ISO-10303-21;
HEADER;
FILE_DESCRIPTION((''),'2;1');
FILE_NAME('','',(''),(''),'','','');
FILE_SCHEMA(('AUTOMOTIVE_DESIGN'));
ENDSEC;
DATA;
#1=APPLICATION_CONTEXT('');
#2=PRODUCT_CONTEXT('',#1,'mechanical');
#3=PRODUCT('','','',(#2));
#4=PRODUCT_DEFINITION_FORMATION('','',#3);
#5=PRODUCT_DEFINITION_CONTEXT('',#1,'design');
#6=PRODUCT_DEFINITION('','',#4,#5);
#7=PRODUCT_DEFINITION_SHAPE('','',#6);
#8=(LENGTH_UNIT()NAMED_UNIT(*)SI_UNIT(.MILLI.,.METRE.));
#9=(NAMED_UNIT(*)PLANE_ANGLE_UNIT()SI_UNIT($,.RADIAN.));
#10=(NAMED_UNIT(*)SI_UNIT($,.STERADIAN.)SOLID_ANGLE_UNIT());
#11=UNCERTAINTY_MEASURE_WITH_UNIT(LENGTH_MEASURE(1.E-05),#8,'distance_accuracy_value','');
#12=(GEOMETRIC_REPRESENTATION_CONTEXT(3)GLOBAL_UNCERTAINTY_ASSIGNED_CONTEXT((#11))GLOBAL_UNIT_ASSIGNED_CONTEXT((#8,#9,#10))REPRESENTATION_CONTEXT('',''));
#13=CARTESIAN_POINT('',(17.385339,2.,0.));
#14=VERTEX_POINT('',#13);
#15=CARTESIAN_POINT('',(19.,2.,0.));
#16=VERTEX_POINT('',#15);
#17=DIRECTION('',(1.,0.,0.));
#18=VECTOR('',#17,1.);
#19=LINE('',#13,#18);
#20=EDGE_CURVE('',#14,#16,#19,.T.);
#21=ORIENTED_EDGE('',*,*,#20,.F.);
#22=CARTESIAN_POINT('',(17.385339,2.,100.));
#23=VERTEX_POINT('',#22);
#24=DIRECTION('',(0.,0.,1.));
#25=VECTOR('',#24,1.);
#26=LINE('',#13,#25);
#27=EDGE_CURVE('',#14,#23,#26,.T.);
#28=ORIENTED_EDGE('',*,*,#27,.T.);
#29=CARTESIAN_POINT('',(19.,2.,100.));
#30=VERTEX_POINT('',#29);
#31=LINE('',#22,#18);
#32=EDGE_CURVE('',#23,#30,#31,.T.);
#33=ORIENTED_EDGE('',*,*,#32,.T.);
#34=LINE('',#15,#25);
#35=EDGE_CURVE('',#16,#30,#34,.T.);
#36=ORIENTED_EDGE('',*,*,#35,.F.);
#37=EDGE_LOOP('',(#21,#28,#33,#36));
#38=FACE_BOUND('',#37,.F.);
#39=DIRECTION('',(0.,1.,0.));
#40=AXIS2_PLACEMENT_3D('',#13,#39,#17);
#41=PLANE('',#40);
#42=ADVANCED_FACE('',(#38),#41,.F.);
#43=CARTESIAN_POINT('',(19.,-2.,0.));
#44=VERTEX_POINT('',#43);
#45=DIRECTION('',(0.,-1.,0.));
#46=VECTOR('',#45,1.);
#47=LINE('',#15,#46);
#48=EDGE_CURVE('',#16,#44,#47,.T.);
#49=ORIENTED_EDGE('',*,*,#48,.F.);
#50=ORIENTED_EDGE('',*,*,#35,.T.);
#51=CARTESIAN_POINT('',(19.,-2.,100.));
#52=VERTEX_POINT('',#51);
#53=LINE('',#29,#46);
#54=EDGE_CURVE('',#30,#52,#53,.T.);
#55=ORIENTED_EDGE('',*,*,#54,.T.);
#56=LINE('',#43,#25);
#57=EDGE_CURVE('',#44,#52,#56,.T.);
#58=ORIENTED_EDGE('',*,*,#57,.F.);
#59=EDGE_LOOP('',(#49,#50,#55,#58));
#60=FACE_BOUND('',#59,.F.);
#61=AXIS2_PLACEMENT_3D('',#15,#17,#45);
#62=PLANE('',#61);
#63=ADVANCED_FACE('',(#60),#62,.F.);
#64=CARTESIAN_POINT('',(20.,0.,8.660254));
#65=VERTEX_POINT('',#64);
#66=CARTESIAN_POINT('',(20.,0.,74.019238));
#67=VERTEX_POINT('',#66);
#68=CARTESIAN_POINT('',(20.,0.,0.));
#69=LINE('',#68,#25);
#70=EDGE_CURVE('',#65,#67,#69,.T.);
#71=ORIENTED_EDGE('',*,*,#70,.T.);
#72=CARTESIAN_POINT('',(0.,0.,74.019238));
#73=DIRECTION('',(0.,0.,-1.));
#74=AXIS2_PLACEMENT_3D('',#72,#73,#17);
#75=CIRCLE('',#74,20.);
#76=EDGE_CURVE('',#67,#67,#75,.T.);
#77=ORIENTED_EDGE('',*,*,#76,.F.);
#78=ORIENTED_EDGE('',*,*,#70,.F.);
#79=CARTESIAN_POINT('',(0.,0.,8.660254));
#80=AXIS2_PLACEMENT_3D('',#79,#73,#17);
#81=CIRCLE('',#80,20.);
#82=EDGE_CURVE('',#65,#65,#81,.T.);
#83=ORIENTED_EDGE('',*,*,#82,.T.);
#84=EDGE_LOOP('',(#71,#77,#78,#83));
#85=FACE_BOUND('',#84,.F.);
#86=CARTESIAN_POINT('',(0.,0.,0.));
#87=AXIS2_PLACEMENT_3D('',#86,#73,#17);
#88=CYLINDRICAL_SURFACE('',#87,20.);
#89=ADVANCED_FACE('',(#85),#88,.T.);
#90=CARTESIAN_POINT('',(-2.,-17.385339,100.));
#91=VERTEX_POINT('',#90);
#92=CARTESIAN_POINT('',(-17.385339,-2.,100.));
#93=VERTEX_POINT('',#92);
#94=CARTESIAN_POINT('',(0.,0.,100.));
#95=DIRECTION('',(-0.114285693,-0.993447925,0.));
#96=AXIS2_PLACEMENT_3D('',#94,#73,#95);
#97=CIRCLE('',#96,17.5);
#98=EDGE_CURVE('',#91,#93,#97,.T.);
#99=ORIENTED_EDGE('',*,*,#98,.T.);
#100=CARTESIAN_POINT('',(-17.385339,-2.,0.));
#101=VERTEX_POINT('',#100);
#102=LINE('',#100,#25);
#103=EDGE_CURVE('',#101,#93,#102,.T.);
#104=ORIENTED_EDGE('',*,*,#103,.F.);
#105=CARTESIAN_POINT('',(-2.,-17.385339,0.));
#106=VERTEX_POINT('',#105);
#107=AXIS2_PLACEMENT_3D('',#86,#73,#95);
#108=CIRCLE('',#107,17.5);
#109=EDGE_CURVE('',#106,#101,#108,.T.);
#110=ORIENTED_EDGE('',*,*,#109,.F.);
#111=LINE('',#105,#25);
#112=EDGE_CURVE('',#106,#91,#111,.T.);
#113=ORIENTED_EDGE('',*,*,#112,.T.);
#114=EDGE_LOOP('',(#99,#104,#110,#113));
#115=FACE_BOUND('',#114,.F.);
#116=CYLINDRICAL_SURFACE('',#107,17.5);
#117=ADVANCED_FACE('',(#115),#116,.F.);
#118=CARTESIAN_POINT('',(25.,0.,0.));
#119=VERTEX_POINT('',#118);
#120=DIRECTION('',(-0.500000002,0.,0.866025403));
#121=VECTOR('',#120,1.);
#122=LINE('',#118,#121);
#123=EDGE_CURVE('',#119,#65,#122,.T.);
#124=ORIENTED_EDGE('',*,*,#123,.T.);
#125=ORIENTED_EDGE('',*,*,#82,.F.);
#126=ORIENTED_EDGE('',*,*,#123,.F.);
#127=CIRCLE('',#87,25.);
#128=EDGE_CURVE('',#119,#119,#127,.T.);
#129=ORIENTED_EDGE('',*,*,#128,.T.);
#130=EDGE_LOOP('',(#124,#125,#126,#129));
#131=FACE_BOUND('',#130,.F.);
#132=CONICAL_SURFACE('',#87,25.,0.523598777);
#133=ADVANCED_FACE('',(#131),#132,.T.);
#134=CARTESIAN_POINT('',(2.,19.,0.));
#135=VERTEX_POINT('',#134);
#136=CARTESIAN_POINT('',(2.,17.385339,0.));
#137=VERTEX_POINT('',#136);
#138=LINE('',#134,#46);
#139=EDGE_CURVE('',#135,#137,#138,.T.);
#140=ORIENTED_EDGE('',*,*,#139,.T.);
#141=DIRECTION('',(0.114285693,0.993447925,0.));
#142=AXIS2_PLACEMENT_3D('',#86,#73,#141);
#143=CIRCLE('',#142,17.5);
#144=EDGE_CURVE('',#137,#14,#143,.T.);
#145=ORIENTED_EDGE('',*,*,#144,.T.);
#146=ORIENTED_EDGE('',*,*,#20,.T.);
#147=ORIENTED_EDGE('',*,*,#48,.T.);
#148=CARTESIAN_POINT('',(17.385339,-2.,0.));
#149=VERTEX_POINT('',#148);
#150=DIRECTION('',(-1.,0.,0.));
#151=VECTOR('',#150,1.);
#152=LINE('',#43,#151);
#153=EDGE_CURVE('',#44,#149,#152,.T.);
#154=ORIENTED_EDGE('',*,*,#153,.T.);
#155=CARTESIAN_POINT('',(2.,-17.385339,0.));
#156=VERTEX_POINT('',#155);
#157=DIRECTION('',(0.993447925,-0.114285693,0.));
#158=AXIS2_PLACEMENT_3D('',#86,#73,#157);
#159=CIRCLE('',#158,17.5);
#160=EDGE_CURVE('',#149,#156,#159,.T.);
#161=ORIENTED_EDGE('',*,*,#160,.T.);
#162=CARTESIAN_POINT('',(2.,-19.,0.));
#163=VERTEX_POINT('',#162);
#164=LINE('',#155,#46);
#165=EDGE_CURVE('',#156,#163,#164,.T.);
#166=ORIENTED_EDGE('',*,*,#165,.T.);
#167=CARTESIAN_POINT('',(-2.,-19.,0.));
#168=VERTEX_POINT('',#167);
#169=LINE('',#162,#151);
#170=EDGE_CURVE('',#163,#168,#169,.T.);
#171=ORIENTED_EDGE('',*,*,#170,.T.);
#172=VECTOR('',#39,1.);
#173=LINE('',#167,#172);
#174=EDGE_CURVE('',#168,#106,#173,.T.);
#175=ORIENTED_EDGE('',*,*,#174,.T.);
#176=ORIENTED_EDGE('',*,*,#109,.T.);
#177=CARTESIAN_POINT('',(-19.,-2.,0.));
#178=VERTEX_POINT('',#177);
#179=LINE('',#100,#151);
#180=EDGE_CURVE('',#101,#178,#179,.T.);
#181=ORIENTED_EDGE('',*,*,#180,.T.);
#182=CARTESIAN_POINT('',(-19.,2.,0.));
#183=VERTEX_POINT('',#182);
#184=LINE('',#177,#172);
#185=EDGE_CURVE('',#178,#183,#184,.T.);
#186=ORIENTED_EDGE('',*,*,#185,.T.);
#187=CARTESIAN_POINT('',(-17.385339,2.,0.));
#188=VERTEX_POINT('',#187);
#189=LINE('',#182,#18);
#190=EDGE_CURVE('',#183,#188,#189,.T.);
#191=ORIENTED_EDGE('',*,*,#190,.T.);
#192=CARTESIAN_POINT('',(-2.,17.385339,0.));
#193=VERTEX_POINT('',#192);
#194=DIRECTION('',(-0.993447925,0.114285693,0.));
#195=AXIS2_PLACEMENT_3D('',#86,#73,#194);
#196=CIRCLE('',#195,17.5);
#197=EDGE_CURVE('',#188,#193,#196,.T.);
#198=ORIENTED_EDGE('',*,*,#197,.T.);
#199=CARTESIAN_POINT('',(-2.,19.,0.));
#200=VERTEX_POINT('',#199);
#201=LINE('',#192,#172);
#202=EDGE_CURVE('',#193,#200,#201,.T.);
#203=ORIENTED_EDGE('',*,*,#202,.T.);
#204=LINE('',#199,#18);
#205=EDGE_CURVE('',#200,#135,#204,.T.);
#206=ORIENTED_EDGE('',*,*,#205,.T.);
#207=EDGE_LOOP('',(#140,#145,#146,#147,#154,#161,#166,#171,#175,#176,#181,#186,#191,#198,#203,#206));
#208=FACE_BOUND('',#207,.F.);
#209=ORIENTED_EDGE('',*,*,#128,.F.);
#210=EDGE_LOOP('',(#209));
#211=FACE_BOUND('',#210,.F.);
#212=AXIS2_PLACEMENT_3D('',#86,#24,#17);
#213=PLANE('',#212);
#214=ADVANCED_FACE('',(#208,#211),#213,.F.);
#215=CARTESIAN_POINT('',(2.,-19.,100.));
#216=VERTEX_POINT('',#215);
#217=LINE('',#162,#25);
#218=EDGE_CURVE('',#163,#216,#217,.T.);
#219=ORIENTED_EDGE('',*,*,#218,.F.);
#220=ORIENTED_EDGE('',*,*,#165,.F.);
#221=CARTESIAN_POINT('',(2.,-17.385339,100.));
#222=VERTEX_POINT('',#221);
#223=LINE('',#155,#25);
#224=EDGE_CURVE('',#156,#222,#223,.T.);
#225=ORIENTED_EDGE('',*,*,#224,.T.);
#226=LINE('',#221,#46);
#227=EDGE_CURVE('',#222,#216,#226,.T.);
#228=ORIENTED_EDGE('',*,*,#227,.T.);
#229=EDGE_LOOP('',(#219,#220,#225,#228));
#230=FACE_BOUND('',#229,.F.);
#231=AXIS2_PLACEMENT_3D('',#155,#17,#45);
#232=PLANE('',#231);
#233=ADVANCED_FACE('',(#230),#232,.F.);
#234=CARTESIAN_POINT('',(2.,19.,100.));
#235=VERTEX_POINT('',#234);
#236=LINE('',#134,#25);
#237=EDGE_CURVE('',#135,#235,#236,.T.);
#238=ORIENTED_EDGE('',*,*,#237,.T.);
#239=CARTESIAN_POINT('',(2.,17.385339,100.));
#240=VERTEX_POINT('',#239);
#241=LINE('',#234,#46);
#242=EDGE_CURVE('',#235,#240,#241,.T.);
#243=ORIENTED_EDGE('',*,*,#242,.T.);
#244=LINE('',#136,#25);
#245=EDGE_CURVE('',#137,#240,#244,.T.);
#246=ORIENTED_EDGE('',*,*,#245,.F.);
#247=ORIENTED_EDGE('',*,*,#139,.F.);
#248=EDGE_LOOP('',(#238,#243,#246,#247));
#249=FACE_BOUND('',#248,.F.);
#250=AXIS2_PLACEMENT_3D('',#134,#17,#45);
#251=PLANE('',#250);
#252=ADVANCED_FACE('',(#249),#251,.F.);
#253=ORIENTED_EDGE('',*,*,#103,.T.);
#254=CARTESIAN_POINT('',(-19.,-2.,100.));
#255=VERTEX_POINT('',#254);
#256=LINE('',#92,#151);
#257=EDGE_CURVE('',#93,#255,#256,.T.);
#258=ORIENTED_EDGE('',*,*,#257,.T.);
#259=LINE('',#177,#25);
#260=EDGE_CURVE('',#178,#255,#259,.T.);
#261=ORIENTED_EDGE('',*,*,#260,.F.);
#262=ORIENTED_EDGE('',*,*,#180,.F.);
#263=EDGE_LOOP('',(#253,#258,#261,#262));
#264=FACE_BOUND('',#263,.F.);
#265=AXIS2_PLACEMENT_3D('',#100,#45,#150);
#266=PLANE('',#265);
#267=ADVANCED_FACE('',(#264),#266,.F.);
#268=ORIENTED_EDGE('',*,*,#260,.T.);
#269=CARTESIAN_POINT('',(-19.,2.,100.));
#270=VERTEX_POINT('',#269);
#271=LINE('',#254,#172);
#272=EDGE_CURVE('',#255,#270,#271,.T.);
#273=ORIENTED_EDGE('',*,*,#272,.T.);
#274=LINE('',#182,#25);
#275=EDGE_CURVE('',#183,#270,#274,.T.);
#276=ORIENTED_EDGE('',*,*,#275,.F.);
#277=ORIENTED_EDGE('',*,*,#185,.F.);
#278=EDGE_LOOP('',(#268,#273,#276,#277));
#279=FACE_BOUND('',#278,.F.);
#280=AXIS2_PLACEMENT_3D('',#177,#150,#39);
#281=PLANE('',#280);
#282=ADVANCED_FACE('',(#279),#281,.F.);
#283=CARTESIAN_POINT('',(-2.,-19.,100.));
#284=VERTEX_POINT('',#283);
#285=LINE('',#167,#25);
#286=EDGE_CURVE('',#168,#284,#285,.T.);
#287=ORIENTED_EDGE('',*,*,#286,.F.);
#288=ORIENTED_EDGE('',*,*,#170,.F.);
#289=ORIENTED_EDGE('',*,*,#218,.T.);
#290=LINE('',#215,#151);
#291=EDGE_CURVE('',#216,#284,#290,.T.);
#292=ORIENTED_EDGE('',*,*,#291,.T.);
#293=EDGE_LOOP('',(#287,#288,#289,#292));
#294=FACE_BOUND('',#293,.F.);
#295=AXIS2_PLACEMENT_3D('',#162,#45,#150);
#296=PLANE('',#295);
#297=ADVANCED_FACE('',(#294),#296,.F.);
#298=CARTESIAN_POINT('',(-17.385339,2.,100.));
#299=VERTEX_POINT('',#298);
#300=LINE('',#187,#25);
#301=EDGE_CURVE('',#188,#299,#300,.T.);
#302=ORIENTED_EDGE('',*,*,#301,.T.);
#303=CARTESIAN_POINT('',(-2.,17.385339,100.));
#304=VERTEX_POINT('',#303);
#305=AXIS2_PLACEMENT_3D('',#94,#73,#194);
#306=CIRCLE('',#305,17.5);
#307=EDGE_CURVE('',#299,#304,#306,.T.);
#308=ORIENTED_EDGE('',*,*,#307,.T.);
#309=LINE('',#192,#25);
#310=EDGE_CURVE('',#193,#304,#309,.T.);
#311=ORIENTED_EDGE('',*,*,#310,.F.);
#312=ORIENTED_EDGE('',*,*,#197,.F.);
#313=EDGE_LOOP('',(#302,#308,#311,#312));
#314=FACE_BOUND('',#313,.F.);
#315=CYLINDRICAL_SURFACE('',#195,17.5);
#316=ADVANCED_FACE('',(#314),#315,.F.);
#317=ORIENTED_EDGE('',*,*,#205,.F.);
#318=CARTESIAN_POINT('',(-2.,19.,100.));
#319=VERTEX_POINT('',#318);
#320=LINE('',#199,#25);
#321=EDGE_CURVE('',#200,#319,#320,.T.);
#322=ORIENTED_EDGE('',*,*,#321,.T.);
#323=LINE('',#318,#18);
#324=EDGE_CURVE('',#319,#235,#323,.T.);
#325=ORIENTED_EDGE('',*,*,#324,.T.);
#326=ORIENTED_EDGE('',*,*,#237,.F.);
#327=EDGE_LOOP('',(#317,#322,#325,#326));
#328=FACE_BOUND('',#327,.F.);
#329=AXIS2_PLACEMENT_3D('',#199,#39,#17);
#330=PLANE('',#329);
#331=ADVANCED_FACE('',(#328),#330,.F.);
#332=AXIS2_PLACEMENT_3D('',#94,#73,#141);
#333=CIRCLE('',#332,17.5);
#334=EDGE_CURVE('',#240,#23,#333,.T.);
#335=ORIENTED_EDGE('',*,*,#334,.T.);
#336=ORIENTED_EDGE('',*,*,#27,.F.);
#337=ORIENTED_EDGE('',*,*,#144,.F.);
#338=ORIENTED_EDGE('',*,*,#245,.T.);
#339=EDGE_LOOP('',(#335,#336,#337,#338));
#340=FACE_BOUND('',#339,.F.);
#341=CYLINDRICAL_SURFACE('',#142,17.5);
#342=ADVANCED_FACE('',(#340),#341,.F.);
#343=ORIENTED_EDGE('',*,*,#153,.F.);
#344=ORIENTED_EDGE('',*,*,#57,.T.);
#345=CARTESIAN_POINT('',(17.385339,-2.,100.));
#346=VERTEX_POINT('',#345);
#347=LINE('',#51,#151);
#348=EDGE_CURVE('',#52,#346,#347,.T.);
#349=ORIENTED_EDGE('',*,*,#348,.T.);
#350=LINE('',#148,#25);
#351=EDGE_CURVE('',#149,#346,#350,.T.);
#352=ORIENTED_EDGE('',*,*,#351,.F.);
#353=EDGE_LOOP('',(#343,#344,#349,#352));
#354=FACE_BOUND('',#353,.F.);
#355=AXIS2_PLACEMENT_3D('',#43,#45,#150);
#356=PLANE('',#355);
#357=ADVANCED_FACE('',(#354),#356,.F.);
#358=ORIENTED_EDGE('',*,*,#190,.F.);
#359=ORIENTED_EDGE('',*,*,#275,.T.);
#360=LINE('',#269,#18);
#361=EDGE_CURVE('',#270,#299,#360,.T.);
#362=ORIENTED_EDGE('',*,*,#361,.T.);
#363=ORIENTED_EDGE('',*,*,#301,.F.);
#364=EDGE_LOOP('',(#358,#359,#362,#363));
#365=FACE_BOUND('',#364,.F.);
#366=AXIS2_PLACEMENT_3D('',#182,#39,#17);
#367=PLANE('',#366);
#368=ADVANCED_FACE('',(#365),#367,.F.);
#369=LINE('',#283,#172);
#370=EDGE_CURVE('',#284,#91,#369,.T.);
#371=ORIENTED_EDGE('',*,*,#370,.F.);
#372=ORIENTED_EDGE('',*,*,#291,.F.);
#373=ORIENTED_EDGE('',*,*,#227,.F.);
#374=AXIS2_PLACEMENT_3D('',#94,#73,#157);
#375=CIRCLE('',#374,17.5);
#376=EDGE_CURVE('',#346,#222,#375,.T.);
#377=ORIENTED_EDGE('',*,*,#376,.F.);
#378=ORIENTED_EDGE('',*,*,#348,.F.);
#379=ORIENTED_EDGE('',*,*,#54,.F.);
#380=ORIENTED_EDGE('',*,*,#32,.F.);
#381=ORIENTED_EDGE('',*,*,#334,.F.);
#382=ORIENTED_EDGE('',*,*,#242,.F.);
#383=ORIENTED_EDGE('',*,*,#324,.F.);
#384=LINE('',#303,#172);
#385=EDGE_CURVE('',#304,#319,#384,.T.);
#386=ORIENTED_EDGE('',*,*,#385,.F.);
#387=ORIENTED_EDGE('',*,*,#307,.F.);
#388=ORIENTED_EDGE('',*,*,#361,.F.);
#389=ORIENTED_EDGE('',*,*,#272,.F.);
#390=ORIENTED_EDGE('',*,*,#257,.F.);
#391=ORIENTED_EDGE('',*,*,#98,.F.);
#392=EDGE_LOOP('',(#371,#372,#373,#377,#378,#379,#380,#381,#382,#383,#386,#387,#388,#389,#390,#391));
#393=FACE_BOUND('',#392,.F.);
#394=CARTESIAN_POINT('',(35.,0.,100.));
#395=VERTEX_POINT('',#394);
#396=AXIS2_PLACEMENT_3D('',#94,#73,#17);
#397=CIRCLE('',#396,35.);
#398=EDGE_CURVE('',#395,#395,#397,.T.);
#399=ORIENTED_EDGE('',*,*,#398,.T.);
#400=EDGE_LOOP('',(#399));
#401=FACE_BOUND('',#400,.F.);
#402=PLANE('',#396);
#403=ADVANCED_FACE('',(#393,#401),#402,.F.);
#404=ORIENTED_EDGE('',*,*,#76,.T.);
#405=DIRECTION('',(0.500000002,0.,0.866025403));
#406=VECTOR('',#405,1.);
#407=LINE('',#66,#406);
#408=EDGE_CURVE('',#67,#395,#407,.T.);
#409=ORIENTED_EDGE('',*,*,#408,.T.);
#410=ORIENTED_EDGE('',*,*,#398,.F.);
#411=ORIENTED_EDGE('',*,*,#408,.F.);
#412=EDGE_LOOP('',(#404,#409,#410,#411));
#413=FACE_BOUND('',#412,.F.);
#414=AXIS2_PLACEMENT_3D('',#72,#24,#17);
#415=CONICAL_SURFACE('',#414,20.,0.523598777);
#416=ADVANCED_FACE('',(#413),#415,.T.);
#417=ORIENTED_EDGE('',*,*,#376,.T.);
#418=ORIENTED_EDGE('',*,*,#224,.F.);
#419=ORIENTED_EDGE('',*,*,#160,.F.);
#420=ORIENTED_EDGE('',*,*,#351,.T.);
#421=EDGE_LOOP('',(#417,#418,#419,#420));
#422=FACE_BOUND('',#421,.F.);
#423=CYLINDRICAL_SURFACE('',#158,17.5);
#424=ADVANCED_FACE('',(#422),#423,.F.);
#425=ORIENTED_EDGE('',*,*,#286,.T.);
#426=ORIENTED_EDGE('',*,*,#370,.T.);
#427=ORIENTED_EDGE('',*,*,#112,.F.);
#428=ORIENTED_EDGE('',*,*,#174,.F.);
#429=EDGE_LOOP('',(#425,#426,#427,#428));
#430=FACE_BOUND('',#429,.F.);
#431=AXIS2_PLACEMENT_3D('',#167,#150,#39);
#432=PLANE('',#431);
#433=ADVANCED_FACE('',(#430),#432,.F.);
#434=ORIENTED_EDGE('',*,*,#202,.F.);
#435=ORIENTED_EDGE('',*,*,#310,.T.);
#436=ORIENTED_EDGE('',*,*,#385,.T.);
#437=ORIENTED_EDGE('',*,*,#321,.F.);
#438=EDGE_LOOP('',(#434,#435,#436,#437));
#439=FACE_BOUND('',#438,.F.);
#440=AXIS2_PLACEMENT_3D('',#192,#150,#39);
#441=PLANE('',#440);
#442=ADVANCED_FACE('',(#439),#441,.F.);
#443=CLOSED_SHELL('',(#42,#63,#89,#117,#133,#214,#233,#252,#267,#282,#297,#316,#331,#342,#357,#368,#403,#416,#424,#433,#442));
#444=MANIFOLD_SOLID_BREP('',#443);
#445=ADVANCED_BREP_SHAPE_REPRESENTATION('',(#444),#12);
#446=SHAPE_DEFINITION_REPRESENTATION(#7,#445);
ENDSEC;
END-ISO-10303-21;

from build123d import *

# Parameters (mm, degrees)
F0_R     = 20
F1_DEPTH = 100


with BuildPart() as f1:
    # F0 (on Top) → F1 (new body)
    with BuildSketch(Plane.XY):
        Circle(F0_R)
        with BuildLine():
            ThreePointArc((2, 17.385339), (12.374369, 12.374369), (17.385339, 2))
            Line((17.385339, 2), (19, 2))
            Line((19, 2), (19, -2))
            Line((19, -2), (17.385339, -2))
            ThreePointArc((17.385339, -2), (12.374369, -12.374369), (2, -17.385339))
            Line((2, -17.385339), (2, -19))
            Line((2, -19), (-2, -19))
            Line((-2, -19), (-2, -17.385339))
            ThreePointArc((-2, -17.385339), (-12.374369, -12.374369), (-17.385339, -2))
            Line((-17.385339, -2), (-19, -2))
            Line((-19, -2), (-19, 2))
            Line((-19, 2), (-17.385339, 2))
            ThreePointArc((-17.385339, 2), (-12.374369, 12.374369), (-2, 17.385339))
            Line((-2, 17.385339), (-2, 19))
            Line((-2, 19), (2, 19))
            Line((2, 19), (2, 17.385339))
        make_face(mode=Mode.SUBTRACT)
    extrude(amount=F1_DEPTH)

    # F2 (on Front) → F4 (revolve)
    with BuildSketch(Plane.XZ):
        Polygon((35, 100), (20, 100), (20, 74.019238), align=None)
        Polygon((25, 0), (20, 8.660254), (20, 0), align=None)
    revolve(axis=Axis((0, 0, 60.299862), (0, 0, -1)))


solid = f1.part
